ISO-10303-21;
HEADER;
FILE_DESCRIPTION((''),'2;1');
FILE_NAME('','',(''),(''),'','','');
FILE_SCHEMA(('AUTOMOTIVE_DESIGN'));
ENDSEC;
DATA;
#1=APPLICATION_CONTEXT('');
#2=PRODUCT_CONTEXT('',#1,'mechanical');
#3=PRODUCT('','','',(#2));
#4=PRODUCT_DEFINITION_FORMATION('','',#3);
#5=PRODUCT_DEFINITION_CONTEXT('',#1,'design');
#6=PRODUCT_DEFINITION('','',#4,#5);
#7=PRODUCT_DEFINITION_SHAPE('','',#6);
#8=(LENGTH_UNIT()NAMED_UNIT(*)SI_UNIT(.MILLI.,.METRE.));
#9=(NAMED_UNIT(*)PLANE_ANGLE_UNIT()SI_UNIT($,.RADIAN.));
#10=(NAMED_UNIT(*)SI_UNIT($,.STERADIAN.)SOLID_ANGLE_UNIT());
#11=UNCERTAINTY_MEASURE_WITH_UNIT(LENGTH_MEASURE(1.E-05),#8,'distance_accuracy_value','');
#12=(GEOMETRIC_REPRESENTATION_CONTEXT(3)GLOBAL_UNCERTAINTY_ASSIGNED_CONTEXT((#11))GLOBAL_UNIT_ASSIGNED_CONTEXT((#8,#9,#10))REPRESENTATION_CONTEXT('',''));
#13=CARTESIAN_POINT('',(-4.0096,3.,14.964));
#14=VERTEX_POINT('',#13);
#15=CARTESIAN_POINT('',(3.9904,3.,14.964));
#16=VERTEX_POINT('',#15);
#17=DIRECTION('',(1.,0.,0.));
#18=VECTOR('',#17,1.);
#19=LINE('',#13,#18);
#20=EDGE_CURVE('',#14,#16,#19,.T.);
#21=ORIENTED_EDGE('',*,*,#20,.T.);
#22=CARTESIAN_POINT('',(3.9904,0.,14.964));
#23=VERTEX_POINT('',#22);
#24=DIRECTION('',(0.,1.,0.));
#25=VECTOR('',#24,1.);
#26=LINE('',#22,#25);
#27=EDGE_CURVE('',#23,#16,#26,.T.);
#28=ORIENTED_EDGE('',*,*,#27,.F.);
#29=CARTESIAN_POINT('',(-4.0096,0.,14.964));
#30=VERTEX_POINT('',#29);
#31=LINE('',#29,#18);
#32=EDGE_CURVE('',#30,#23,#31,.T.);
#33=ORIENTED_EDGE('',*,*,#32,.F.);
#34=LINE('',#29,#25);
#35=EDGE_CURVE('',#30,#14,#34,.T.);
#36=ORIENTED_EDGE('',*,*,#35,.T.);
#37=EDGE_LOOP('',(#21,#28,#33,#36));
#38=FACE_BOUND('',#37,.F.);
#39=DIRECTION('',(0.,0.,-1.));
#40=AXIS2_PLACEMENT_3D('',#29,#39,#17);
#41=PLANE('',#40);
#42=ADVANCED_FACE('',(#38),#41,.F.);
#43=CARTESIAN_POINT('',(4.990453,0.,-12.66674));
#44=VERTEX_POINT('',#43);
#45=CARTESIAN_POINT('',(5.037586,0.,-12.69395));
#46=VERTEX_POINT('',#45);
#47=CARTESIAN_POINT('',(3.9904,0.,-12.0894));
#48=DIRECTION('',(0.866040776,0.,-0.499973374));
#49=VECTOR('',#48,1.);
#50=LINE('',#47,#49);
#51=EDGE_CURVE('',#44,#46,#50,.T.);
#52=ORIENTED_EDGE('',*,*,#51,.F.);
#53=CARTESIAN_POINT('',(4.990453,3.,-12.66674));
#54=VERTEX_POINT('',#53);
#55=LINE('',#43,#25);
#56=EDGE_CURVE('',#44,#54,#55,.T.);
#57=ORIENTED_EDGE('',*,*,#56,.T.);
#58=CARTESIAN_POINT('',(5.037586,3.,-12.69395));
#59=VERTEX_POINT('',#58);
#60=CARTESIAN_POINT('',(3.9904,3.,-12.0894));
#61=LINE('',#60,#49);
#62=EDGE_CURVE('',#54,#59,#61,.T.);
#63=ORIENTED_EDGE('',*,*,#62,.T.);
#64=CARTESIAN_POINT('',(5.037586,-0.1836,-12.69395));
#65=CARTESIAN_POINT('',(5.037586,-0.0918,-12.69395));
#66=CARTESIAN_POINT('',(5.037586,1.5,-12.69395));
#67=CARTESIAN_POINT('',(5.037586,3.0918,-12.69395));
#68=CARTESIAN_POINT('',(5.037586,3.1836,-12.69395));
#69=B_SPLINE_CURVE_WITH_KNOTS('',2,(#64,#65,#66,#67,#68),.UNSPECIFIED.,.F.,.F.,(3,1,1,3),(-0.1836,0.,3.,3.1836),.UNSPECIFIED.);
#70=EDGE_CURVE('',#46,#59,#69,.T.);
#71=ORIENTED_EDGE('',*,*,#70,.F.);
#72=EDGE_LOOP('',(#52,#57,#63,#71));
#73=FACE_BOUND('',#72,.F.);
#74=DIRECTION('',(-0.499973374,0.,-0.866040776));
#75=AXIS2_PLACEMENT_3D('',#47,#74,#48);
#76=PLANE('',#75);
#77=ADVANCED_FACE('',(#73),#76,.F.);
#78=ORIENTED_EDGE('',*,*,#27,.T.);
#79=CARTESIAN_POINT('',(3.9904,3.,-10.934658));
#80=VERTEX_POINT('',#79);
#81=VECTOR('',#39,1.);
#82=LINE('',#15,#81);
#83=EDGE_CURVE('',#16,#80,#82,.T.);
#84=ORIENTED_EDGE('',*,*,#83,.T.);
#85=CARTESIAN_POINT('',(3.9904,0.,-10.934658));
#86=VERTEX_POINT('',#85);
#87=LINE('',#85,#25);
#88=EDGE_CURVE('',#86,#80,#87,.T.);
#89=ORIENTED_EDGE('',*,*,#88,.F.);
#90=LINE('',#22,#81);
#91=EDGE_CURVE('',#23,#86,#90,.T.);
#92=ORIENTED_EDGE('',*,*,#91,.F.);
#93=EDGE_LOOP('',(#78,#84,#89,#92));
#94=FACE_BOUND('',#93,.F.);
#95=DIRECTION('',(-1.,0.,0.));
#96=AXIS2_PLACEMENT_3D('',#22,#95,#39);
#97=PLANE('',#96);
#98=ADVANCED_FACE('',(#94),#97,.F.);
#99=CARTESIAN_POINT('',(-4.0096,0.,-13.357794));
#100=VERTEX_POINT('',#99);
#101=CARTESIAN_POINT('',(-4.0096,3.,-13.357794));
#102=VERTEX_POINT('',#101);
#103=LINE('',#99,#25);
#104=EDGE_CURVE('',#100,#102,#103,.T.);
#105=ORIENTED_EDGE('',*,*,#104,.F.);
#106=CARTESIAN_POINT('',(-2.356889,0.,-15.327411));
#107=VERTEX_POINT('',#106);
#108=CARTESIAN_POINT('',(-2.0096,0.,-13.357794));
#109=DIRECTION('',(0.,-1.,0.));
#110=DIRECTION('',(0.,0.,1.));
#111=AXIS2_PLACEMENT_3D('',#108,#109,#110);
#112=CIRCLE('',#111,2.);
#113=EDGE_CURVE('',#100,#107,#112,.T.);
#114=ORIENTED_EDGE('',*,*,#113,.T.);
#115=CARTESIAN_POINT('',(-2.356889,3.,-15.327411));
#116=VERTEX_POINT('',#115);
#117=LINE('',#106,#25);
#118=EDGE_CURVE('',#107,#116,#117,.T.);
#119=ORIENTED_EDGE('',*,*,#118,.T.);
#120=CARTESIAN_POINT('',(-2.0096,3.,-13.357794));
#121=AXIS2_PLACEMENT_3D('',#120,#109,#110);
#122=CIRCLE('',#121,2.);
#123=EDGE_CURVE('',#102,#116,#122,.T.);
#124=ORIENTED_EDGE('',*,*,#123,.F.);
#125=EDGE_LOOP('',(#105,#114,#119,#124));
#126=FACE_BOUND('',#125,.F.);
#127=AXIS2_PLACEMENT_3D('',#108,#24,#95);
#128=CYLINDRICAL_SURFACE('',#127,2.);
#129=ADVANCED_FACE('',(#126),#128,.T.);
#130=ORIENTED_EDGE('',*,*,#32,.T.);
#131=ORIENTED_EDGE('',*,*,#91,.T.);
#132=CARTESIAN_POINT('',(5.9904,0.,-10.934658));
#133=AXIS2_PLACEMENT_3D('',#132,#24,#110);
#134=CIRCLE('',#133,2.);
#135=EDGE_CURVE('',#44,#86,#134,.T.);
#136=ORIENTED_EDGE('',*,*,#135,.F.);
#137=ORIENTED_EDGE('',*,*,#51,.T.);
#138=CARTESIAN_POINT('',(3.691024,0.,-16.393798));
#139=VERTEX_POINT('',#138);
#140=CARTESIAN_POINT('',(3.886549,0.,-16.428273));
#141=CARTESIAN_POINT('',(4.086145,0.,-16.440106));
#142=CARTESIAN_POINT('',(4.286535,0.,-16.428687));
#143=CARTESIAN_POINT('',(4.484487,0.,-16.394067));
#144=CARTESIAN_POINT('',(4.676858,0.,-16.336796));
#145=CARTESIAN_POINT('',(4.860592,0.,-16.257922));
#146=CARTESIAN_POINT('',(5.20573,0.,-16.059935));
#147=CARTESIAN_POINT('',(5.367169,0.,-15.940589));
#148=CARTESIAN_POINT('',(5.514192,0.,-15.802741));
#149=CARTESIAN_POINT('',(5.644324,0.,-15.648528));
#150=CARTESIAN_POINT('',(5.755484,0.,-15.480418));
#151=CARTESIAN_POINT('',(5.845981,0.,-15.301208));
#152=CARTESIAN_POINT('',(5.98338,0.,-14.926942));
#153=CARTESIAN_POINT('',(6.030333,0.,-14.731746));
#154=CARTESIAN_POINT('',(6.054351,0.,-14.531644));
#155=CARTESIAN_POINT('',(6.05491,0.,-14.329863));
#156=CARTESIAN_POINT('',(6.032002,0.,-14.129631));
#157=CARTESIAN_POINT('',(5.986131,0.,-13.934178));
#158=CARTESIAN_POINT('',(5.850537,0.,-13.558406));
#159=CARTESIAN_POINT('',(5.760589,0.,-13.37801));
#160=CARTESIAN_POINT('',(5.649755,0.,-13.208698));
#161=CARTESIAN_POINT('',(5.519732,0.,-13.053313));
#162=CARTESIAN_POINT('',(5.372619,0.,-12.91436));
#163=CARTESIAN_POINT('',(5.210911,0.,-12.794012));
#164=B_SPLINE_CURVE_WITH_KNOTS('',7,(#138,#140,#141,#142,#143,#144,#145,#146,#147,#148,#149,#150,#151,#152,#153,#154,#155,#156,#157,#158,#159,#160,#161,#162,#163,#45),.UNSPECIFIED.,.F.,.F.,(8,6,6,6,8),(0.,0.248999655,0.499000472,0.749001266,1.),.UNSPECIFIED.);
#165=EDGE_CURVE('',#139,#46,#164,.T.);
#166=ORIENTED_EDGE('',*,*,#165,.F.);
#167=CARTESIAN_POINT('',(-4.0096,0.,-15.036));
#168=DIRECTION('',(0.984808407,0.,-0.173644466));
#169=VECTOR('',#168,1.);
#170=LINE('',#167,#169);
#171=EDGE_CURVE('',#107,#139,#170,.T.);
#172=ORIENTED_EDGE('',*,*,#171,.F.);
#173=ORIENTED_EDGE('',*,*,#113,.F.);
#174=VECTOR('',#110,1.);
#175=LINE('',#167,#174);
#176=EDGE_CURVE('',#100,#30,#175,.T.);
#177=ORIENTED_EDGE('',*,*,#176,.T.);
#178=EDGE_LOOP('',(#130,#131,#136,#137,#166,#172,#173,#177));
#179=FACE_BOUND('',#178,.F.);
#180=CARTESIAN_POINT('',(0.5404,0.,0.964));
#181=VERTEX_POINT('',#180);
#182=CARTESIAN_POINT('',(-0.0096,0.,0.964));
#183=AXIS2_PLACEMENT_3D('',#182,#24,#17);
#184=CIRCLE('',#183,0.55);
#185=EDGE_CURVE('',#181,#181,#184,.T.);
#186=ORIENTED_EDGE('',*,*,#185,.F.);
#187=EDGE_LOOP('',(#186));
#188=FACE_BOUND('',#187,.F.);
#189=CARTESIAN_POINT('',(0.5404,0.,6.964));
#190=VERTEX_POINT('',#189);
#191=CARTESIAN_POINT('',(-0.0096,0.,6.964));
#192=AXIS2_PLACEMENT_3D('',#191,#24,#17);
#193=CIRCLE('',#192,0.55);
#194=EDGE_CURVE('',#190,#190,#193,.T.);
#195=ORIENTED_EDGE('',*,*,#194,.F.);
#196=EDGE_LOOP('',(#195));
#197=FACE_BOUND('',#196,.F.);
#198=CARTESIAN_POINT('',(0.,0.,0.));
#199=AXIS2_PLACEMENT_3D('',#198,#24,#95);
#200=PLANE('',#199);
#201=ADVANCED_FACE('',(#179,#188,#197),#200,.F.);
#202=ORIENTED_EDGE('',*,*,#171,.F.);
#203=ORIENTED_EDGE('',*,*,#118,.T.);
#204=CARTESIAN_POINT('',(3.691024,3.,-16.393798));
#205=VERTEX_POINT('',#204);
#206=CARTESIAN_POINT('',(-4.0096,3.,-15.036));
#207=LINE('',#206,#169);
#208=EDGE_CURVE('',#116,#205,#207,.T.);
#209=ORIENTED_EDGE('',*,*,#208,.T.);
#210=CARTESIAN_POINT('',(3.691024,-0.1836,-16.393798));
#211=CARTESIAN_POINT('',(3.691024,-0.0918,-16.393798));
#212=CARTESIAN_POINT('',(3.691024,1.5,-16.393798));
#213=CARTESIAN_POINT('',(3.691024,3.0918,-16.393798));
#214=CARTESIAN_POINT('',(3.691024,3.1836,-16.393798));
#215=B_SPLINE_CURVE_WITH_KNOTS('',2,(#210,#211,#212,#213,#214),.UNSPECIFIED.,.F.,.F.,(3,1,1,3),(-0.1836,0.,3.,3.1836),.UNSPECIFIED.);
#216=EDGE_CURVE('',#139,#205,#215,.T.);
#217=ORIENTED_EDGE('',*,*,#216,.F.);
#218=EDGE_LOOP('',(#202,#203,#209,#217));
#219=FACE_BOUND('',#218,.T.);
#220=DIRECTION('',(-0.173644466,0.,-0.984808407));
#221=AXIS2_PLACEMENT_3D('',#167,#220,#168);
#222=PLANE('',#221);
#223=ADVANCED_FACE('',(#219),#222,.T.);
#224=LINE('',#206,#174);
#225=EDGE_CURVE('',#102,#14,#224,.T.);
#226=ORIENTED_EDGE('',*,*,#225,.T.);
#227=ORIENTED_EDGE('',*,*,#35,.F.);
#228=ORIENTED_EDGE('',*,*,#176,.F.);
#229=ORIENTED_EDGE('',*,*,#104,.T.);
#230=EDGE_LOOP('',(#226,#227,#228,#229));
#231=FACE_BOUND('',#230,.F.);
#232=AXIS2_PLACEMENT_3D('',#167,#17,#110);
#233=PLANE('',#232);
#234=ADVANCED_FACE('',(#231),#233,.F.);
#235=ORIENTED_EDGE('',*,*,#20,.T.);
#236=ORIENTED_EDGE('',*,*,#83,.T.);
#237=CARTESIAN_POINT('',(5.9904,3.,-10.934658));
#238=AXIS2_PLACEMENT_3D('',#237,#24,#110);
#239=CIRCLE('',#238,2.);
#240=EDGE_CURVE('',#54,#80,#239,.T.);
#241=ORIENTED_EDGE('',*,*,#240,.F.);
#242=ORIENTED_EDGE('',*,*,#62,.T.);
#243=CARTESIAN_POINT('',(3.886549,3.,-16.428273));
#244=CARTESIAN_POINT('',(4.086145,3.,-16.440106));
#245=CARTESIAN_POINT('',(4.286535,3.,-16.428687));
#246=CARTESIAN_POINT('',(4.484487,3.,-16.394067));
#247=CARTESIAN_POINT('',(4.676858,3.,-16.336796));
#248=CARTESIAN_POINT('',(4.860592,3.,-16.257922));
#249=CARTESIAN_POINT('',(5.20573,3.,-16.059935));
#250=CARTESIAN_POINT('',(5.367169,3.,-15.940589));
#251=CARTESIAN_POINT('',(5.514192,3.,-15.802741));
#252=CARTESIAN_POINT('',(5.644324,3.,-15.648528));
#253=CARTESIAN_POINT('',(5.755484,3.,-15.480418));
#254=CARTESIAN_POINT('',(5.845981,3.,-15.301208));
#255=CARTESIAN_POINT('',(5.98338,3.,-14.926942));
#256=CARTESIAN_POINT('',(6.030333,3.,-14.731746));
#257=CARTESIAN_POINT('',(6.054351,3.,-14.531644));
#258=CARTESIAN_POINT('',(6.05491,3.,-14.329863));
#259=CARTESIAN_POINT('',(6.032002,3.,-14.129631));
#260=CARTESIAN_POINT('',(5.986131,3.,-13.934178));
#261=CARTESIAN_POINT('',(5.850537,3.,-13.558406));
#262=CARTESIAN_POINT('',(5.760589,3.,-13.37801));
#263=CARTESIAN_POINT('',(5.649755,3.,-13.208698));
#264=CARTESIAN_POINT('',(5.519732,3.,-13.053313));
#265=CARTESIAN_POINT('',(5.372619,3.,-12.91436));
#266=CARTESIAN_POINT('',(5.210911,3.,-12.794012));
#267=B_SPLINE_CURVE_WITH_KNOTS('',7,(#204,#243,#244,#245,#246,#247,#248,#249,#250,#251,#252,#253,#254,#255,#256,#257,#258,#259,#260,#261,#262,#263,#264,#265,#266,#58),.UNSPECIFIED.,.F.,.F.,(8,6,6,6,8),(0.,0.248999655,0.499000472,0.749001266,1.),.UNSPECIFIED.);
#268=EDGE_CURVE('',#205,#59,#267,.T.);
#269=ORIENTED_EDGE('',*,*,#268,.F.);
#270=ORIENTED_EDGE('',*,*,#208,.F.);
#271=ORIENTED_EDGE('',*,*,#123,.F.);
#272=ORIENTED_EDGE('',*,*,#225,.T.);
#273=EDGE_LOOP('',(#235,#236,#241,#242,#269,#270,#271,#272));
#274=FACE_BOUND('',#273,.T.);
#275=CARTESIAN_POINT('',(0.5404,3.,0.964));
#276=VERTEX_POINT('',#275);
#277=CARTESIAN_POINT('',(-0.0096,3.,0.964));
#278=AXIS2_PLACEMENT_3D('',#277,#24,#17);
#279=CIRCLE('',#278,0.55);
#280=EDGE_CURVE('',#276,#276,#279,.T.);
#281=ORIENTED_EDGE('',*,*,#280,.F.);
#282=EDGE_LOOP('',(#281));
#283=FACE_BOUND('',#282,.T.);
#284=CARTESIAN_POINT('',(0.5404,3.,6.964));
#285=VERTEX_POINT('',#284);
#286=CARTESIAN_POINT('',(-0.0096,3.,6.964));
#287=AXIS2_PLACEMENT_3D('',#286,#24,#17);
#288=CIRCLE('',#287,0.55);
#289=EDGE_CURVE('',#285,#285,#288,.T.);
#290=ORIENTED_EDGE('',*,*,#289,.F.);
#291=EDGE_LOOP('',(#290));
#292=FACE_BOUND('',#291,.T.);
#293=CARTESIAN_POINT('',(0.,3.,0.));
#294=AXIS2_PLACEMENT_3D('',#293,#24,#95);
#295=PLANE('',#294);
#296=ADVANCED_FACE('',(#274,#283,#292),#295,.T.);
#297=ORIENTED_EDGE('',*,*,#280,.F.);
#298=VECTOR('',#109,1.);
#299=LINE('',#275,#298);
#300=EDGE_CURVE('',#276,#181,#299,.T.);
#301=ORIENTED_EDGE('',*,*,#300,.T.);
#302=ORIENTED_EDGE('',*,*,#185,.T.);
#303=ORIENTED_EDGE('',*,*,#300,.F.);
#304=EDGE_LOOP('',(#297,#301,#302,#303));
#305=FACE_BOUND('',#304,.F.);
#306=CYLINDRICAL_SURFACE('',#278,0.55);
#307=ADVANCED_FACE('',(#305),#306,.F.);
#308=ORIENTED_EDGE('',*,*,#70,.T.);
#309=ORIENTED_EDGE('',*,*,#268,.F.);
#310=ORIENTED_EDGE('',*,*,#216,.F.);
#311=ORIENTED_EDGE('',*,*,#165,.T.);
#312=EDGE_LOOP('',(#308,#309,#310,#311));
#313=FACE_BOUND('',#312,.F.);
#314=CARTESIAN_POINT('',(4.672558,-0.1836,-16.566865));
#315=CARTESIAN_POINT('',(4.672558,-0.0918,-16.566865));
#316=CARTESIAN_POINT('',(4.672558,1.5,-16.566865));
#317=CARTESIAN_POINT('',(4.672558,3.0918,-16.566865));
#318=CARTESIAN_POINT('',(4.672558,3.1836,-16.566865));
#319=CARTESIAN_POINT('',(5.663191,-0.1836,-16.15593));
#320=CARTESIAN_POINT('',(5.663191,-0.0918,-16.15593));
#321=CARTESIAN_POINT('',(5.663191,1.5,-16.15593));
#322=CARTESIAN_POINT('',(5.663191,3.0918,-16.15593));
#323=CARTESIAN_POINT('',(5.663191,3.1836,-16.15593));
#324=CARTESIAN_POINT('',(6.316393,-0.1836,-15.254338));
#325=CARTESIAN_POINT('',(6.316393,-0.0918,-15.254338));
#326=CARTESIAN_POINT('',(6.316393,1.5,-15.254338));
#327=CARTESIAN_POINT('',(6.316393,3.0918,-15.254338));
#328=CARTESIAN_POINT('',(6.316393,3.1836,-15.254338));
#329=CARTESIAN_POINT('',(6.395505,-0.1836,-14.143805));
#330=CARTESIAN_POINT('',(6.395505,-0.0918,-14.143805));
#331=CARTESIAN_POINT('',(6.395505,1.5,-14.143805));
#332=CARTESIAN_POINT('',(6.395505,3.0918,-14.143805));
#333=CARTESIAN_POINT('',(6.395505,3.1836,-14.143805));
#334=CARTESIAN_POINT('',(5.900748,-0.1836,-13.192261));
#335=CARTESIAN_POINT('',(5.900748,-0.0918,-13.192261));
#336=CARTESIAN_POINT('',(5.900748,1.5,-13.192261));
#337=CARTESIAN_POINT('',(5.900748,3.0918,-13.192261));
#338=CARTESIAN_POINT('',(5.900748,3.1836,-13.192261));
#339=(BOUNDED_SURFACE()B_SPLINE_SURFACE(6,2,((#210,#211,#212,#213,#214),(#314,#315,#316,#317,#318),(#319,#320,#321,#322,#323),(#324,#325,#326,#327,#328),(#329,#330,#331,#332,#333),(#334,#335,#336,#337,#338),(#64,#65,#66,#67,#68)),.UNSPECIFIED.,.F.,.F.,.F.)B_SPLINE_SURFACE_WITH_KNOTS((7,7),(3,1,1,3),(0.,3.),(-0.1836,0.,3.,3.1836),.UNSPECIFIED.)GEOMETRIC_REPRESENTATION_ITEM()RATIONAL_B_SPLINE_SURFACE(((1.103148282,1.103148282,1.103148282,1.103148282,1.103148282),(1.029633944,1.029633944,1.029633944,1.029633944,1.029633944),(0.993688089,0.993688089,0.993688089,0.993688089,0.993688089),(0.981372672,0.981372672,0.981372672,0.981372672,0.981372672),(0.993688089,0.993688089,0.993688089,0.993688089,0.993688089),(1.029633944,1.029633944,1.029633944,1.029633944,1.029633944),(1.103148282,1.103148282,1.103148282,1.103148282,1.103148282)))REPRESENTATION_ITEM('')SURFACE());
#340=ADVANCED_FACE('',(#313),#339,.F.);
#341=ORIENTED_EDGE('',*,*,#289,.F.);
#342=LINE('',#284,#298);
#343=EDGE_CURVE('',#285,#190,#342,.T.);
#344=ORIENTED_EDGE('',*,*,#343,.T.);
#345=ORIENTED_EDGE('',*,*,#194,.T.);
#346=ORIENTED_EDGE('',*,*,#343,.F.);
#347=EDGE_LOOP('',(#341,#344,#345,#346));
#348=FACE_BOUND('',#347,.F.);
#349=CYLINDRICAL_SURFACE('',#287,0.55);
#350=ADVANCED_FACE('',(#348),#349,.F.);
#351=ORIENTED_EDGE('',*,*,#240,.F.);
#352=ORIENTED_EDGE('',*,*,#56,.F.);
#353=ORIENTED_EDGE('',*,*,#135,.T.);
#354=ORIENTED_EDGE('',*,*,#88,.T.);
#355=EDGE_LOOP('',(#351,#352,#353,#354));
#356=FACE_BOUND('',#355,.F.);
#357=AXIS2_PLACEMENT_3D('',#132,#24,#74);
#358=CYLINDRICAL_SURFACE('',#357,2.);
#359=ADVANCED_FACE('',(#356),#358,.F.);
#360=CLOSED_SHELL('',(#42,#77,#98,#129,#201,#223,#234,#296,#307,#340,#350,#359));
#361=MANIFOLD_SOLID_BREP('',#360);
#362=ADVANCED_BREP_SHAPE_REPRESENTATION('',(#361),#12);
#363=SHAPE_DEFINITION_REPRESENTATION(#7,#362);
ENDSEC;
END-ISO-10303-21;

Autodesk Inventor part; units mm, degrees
ref_plane "YZ Plane" through (0, 0, 0) normal (1, 0, 0) x (0, 1, 0)
ref_plane "XZ Plane" through (0, 0, 0) normal (0, 1, 0) x (-1, 0, 0)
ref_plane "XY Plane" through (0, 0, 0) normal (0, 0, 1) x (1, 0, 0)
sketch "Sketch1" plane through (0, 0, 0) normal (0, 1, 0) x (-1, 0, 0)
  line L0 (4.0096, 14.964) -> (-3.9904, 14.964)
  line L1 (-3.9904, 14.964) -> (-3.9904, -12.0894)
  line L2 (4.0096, -15.036) -> (4.0096, 14.964)
  line L3 (4.0096, 14.964) -> (-4.018, -14.9952) construction
  line L4 (-3.9904, 14.964) -> (4.0096, -15.036) construction
  line L5 (4.0096, -15.036) -> (-6.0407, -16.8081)
  line L6 (-3.9904, -12.0894) -> (-6.4901, -13.5325)
  line L7 (-6.4901, -13.5325) -> (-6.0407, -16.8081)
  point P0 (0, 0)
  dimension "d5" = 30
  dimension "d6" = 8
  dimension "d7" = 7.812
  dimension "d8" = 120
  dimension "d9" = 100
  dimension "d10" = 3.2756
  dimension "d11" = 27.0534
  dimension "d12" = 45
extrude "Extrusion1" add sketch "Sketch1" along normal blind 3
fillet "Fillet1" radius 2 4 edges at (-4.0096, 1.5, -15.036) (6.0407, 1.5, -16.8081) (6.4901, 1.5, -13.5325) (3.9904, 1.5, -12.0894)
sketch "Sketch2" plane through (0, 3, 0) normal (0, 1, 0) x (1, 0, 0)
  circle A0 centre (-0.0096, -6.964) radius 0.55
  line L0 (-4.0096, -14.964) -> (3.9904, -14.964) projected
  line L1 (-4.0096, 13.3578) -> (-4.0096, -14.964) projected
  circle A1 centre (-0.0096, -0.964) radius 0.55
  point P0 (0, 0)
  dimension "d16" = 8
  dimension "d17" = 1.1
  dimension "d18" = 4
  dimension "d19" = 14
  dimension "d20" = 4
  dimension "d21" = 1.1
extrude "Extrusion2" cut sketch "Sketch2" against normal blind 3
properties part number "remoteswitchtouch"
